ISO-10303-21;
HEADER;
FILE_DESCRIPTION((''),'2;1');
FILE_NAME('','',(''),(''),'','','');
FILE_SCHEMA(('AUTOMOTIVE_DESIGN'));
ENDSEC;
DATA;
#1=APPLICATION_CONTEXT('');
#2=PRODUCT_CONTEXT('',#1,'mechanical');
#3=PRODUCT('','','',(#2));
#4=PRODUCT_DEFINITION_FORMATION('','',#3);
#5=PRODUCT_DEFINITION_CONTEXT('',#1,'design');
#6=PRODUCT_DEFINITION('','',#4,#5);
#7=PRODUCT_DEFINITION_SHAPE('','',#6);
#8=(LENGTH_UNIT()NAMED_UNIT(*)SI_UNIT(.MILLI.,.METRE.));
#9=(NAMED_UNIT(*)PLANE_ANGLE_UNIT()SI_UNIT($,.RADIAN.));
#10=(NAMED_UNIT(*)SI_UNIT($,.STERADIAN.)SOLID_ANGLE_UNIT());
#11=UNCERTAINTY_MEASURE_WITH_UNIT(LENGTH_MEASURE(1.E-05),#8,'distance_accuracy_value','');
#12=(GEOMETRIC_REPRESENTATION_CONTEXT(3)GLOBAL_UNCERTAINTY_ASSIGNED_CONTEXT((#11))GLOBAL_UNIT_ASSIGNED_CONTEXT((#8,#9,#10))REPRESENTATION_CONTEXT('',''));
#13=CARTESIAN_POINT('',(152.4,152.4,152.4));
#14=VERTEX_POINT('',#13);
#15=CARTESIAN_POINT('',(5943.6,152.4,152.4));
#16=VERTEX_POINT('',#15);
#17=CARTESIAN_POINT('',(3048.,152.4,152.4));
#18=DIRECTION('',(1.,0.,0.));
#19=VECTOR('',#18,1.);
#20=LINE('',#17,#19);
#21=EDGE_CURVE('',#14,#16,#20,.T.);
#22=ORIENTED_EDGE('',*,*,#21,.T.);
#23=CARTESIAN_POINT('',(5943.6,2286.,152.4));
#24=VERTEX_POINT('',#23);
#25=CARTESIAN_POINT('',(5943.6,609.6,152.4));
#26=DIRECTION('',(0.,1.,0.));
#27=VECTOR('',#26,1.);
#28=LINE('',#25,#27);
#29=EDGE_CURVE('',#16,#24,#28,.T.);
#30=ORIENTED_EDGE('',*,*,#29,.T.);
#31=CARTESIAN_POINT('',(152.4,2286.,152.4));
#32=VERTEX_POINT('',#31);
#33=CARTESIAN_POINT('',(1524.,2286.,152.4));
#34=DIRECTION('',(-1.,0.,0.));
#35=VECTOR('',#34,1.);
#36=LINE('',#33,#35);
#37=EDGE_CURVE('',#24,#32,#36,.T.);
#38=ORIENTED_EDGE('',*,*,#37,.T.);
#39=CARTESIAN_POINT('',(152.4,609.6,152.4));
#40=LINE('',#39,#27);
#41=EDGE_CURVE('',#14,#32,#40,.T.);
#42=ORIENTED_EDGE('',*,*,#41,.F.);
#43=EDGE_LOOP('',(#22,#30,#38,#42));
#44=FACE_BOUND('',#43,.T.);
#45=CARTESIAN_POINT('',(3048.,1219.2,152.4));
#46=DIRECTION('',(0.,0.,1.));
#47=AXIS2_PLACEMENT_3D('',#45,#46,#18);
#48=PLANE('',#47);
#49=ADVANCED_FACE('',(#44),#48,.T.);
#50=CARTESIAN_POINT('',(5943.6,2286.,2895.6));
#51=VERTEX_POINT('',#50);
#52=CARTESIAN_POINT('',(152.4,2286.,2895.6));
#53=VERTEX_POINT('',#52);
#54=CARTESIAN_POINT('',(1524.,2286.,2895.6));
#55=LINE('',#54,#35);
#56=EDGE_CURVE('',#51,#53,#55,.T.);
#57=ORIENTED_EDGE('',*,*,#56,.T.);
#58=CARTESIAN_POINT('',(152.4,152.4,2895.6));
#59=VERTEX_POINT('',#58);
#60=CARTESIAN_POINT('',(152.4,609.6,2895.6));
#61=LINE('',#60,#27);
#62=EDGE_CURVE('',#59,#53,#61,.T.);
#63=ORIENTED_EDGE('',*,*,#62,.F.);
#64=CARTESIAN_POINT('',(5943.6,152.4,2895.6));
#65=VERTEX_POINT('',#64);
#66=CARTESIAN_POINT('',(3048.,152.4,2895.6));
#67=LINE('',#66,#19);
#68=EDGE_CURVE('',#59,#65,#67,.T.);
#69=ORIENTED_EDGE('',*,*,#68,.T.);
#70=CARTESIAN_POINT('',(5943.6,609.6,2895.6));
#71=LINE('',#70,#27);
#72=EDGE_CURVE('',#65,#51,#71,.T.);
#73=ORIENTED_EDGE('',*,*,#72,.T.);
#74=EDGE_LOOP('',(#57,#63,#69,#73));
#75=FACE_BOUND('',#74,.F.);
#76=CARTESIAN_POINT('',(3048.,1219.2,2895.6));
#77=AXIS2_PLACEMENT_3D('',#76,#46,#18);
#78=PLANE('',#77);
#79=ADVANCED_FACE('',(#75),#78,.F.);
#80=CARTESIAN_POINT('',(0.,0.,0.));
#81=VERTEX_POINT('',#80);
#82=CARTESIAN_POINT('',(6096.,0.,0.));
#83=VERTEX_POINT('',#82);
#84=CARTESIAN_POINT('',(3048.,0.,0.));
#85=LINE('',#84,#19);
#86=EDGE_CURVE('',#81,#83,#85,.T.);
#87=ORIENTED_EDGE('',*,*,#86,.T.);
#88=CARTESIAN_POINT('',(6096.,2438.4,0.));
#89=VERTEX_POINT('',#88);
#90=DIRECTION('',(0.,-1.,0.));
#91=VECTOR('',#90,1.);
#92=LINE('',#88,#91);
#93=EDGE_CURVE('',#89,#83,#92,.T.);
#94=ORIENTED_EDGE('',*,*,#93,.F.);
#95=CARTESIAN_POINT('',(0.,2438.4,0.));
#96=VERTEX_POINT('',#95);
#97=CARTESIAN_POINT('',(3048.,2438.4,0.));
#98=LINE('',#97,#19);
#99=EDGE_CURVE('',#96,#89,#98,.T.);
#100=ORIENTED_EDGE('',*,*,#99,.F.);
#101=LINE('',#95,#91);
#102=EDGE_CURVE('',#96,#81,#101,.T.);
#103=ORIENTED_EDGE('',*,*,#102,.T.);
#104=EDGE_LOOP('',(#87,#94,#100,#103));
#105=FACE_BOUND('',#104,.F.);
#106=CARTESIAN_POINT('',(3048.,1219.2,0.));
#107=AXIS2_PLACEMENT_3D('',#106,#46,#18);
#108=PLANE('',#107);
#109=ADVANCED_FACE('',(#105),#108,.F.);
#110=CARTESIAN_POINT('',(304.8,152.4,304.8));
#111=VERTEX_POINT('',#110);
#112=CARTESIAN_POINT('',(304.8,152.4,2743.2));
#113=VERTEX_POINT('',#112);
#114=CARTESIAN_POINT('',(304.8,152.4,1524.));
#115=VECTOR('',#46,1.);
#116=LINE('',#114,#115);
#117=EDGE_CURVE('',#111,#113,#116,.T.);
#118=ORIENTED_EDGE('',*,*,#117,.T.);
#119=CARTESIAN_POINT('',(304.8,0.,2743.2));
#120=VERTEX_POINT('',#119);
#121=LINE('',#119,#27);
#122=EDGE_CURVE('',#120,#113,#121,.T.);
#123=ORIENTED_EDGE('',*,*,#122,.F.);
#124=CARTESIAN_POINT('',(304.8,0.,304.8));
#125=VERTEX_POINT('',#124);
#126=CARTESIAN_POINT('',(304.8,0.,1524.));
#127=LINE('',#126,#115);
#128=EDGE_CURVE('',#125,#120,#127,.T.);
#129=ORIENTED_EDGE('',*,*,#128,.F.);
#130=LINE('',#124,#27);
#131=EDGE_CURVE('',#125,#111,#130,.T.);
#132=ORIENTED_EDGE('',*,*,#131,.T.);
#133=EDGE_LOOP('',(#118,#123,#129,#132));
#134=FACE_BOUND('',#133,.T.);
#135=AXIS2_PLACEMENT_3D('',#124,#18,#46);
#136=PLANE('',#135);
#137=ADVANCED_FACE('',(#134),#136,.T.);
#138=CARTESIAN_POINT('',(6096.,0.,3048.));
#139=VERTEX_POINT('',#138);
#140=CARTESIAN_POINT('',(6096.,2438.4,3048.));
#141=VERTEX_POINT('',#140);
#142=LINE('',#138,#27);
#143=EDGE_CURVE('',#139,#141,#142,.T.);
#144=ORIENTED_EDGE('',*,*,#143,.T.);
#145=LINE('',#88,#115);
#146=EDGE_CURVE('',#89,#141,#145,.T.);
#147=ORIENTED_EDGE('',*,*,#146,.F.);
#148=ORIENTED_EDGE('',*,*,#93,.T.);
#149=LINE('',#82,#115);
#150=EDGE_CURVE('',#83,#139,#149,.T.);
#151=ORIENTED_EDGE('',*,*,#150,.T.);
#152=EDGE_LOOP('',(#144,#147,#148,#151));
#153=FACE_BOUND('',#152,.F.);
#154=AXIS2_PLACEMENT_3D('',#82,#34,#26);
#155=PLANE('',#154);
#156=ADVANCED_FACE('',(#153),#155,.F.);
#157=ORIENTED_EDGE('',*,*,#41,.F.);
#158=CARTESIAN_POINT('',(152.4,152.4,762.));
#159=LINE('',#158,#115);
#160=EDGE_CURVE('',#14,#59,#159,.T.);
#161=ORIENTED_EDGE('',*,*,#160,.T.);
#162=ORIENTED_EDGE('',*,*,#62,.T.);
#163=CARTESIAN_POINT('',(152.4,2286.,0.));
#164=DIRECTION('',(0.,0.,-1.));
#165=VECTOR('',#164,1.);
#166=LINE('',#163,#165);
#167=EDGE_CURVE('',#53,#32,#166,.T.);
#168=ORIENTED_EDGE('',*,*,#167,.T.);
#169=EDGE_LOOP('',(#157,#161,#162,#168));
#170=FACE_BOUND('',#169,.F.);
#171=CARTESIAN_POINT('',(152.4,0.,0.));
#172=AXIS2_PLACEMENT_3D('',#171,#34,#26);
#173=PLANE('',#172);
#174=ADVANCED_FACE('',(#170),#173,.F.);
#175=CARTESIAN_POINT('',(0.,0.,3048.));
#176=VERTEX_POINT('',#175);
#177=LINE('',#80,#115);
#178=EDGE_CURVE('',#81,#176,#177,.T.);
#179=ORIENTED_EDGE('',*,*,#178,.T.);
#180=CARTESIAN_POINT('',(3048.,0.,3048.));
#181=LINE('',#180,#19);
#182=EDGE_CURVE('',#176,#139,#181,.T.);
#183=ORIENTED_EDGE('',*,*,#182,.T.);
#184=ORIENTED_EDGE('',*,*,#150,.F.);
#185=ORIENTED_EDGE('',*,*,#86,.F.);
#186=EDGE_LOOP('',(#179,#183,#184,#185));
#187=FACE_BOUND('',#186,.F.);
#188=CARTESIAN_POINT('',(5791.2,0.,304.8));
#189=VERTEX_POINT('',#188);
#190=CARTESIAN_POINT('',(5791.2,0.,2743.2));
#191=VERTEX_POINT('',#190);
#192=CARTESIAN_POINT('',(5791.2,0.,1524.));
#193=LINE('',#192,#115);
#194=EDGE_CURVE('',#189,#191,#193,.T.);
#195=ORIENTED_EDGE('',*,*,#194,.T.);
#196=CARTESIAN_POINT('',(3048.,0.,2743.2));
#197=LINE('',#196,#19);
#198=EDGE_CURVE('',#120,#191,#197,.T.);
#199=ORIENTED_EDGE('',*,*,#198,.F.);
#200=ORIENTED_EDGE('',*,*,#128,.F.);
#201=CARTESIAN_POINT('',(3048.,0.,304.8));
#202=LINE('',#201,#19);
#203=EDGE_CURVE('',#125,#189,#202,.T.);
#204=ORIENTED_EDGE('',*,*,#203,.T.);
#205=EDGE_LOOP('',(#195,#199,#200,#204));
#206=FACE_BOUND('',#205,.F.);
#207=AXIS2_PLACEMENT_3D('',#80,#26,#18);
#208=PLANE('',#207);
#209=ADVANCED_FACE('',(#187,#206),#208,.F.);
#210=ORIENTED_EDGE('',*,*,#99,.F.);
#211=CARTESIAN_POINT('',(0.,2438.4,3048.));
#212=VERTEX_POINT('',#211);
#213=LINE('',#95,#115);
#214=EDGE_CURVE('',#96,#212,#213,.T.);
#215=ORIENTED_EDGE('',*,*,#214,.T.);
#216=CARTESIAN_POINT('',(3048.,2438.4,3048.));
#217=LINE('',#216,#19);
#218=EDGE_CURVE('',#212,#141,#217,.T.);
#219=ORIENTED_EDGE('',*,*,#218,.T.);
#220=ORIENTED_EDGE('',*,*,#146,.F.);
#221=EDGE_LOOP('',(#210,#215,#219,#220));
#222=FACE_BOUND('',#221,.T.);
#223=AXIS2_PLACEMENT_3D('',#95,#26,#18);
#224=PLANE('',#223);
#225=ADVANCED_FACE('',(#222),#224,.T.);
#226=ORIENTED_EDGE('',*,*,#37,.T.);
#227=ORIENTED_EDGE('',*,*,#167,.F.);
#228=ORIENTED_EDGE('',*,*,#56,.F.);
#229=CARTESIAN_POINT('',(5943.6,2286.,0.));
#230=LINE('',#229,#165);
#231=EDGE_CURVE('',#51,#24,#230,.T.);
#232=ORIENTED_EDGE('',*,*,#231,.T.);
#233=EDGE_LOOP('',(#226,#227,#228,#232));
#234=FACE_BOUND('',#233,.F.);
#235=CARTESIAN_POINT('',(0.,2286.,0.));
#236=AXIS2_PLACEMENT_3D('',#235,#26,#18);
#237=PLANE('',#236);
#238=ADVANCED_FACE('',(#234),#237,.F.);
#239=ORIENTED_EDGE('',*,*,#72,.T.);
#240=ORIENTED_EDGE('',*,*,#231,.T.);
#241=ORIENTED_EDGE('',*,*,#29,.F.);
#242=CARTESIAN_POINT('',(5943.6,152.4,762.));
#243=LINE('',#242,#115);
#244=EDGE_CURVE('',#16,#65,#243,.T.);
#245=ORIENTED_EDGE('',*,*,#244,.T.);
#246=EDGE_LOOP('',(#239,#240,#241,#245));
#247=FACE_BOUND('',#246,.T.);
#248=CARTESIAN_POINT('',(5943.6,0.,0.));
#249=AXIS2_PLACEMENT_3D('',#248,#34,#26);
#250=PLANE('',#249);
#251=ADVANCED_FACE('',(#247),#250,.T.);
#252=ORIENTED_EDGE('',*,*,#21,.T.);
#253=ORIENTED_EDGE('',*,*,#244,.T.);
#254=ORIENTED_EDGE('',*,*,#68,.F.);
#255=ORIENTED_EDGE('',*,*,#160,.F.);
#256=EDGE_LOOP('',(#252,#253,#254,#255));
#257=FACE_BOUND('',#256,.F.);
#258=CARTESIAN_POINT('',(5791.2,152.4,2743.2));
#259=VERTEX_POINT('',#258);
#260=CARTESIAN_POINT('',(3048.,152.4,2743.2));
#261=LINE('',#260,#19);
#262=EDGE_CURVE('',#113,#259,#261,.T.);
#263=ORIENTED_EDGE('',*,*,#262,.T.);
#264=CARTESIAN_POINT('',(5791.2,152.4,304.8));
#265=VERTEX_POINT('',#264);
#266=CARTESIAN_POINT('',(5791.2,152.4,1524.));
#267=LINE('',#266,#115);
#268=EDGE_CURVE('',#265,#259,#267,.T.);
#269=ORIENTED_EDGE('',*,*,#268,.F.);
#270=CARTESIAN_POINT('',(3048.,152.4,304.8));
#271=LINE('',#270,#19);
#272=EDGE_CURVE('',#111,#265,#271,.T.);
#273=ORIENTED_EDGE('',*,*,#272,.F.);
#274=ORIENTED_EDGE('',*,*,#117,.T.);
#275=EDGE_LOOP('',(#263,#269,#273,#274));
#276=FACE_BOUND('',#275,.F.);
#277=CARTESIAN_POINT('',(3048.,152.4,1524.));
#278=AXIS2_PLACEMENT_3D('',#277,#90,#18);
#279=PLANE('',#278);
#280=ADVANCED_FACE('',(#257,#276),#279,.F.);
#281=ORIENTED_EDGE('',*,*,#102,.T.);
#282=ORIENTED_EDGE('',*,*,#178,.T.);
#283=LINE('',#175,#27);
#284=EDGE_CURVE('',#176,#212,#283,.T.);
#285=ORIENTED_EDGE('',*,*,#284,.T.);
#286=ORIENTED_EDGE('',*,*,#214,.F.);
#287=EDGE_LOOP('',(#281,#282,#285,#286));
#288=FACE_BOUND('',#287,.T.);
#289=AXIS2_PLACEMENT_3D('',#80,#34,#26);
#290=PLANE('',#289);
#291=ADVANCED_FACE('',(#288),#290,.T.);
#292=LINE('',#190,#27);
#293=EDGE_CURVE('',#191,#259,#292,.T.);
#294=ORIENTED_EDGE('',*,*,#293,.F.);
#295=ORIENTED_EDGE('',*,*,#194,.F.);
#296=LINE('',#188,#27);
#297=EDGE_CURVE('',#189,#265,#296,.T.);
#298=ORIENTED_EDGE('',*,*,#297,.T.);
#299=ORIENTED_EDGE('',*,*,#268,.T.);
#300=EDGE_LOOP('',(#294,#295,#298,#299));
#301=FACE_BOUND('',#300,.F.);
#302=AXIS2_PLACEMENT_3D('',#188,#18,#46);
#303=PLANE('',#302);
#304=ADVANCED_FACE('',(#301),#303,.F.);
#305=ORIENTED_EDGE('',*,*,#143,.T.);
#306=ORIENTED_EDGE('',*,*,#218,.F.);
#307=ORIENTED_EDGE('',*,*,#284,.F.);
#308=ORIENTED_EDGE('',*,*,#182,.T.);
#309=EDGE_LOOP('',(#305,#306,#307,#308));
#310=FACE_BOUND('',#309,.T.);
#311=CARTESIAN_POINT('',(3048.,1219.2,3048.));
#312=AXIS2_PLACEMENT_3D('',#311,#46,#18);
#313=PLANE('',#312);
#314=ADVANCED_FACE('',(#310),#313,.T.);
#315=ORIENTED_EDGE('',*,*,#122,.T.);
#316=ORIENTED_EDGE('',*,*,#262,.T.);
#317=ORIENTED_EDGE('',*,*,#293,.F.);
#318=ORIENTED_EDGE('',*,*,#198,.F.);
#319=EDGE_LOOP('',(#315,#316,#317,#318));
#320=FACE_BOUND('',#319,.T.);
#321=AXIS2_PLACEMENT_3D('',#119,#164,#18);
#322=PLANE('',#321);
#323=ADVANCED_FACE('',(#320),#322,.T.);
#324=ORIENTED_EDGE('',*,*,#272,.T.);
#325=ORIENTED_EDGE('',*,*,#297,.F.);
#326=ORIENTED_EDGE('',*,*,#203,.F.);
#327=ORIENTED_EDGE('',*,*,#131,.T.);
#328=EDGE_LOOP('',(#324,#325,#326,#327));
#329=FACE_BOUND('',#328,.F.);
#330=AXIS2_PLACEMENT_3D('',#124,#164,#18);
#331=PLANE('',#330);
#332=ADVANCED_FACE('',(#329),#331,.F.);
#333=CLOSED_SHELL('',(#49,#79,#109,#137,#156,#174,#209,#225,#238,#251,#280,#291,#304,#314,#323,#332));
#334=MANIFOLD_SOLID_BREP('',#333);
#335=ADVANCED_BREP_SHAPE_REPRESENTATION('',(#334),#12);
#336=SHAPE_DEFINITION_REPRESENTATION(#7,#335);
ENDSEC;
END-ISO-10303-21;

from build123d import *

# Parameters (mm, degrees)
F0_W     = 6096
F0_H     = 2438.4
F1_DEPTH = 3048
F3_T     = -152.4
F2_W     = 6096
F2_H     = 3048
F2_W_2   = 5486.4
F2_H_2   = 2438.4
F4_DEPTH = 152.4


with BuildPart() as f1:
    # F0 (on Top) → F1 (new body)
    with BuildSketch(Plane.XY):
        with Locations((3048, 1219.2)):
            Rectangle(F0_W, F0_H)
    extrude(amount=F1_DEPTH)

    # F3
    f3_openings = [f1.faces().sort_by_distance(p)[0] for p in [
        (3048, 0, 1524),
    ]]
    offset(amount=F3_T, openings=f3_openings)

    # F2 (on face) → F4 (join)
    with BuildSketch(Plane.XZ):
        with Locations((3048, 1524)):
            Rectangle(F2_W, F2_H)
        with Locations((3048, 1524)):
            Rectangle(F2_W_2, F2_H_2, mode=Mode.SUBTRACT)
    extrude(amount=-F4_DEPTH)


solid = f1.part
